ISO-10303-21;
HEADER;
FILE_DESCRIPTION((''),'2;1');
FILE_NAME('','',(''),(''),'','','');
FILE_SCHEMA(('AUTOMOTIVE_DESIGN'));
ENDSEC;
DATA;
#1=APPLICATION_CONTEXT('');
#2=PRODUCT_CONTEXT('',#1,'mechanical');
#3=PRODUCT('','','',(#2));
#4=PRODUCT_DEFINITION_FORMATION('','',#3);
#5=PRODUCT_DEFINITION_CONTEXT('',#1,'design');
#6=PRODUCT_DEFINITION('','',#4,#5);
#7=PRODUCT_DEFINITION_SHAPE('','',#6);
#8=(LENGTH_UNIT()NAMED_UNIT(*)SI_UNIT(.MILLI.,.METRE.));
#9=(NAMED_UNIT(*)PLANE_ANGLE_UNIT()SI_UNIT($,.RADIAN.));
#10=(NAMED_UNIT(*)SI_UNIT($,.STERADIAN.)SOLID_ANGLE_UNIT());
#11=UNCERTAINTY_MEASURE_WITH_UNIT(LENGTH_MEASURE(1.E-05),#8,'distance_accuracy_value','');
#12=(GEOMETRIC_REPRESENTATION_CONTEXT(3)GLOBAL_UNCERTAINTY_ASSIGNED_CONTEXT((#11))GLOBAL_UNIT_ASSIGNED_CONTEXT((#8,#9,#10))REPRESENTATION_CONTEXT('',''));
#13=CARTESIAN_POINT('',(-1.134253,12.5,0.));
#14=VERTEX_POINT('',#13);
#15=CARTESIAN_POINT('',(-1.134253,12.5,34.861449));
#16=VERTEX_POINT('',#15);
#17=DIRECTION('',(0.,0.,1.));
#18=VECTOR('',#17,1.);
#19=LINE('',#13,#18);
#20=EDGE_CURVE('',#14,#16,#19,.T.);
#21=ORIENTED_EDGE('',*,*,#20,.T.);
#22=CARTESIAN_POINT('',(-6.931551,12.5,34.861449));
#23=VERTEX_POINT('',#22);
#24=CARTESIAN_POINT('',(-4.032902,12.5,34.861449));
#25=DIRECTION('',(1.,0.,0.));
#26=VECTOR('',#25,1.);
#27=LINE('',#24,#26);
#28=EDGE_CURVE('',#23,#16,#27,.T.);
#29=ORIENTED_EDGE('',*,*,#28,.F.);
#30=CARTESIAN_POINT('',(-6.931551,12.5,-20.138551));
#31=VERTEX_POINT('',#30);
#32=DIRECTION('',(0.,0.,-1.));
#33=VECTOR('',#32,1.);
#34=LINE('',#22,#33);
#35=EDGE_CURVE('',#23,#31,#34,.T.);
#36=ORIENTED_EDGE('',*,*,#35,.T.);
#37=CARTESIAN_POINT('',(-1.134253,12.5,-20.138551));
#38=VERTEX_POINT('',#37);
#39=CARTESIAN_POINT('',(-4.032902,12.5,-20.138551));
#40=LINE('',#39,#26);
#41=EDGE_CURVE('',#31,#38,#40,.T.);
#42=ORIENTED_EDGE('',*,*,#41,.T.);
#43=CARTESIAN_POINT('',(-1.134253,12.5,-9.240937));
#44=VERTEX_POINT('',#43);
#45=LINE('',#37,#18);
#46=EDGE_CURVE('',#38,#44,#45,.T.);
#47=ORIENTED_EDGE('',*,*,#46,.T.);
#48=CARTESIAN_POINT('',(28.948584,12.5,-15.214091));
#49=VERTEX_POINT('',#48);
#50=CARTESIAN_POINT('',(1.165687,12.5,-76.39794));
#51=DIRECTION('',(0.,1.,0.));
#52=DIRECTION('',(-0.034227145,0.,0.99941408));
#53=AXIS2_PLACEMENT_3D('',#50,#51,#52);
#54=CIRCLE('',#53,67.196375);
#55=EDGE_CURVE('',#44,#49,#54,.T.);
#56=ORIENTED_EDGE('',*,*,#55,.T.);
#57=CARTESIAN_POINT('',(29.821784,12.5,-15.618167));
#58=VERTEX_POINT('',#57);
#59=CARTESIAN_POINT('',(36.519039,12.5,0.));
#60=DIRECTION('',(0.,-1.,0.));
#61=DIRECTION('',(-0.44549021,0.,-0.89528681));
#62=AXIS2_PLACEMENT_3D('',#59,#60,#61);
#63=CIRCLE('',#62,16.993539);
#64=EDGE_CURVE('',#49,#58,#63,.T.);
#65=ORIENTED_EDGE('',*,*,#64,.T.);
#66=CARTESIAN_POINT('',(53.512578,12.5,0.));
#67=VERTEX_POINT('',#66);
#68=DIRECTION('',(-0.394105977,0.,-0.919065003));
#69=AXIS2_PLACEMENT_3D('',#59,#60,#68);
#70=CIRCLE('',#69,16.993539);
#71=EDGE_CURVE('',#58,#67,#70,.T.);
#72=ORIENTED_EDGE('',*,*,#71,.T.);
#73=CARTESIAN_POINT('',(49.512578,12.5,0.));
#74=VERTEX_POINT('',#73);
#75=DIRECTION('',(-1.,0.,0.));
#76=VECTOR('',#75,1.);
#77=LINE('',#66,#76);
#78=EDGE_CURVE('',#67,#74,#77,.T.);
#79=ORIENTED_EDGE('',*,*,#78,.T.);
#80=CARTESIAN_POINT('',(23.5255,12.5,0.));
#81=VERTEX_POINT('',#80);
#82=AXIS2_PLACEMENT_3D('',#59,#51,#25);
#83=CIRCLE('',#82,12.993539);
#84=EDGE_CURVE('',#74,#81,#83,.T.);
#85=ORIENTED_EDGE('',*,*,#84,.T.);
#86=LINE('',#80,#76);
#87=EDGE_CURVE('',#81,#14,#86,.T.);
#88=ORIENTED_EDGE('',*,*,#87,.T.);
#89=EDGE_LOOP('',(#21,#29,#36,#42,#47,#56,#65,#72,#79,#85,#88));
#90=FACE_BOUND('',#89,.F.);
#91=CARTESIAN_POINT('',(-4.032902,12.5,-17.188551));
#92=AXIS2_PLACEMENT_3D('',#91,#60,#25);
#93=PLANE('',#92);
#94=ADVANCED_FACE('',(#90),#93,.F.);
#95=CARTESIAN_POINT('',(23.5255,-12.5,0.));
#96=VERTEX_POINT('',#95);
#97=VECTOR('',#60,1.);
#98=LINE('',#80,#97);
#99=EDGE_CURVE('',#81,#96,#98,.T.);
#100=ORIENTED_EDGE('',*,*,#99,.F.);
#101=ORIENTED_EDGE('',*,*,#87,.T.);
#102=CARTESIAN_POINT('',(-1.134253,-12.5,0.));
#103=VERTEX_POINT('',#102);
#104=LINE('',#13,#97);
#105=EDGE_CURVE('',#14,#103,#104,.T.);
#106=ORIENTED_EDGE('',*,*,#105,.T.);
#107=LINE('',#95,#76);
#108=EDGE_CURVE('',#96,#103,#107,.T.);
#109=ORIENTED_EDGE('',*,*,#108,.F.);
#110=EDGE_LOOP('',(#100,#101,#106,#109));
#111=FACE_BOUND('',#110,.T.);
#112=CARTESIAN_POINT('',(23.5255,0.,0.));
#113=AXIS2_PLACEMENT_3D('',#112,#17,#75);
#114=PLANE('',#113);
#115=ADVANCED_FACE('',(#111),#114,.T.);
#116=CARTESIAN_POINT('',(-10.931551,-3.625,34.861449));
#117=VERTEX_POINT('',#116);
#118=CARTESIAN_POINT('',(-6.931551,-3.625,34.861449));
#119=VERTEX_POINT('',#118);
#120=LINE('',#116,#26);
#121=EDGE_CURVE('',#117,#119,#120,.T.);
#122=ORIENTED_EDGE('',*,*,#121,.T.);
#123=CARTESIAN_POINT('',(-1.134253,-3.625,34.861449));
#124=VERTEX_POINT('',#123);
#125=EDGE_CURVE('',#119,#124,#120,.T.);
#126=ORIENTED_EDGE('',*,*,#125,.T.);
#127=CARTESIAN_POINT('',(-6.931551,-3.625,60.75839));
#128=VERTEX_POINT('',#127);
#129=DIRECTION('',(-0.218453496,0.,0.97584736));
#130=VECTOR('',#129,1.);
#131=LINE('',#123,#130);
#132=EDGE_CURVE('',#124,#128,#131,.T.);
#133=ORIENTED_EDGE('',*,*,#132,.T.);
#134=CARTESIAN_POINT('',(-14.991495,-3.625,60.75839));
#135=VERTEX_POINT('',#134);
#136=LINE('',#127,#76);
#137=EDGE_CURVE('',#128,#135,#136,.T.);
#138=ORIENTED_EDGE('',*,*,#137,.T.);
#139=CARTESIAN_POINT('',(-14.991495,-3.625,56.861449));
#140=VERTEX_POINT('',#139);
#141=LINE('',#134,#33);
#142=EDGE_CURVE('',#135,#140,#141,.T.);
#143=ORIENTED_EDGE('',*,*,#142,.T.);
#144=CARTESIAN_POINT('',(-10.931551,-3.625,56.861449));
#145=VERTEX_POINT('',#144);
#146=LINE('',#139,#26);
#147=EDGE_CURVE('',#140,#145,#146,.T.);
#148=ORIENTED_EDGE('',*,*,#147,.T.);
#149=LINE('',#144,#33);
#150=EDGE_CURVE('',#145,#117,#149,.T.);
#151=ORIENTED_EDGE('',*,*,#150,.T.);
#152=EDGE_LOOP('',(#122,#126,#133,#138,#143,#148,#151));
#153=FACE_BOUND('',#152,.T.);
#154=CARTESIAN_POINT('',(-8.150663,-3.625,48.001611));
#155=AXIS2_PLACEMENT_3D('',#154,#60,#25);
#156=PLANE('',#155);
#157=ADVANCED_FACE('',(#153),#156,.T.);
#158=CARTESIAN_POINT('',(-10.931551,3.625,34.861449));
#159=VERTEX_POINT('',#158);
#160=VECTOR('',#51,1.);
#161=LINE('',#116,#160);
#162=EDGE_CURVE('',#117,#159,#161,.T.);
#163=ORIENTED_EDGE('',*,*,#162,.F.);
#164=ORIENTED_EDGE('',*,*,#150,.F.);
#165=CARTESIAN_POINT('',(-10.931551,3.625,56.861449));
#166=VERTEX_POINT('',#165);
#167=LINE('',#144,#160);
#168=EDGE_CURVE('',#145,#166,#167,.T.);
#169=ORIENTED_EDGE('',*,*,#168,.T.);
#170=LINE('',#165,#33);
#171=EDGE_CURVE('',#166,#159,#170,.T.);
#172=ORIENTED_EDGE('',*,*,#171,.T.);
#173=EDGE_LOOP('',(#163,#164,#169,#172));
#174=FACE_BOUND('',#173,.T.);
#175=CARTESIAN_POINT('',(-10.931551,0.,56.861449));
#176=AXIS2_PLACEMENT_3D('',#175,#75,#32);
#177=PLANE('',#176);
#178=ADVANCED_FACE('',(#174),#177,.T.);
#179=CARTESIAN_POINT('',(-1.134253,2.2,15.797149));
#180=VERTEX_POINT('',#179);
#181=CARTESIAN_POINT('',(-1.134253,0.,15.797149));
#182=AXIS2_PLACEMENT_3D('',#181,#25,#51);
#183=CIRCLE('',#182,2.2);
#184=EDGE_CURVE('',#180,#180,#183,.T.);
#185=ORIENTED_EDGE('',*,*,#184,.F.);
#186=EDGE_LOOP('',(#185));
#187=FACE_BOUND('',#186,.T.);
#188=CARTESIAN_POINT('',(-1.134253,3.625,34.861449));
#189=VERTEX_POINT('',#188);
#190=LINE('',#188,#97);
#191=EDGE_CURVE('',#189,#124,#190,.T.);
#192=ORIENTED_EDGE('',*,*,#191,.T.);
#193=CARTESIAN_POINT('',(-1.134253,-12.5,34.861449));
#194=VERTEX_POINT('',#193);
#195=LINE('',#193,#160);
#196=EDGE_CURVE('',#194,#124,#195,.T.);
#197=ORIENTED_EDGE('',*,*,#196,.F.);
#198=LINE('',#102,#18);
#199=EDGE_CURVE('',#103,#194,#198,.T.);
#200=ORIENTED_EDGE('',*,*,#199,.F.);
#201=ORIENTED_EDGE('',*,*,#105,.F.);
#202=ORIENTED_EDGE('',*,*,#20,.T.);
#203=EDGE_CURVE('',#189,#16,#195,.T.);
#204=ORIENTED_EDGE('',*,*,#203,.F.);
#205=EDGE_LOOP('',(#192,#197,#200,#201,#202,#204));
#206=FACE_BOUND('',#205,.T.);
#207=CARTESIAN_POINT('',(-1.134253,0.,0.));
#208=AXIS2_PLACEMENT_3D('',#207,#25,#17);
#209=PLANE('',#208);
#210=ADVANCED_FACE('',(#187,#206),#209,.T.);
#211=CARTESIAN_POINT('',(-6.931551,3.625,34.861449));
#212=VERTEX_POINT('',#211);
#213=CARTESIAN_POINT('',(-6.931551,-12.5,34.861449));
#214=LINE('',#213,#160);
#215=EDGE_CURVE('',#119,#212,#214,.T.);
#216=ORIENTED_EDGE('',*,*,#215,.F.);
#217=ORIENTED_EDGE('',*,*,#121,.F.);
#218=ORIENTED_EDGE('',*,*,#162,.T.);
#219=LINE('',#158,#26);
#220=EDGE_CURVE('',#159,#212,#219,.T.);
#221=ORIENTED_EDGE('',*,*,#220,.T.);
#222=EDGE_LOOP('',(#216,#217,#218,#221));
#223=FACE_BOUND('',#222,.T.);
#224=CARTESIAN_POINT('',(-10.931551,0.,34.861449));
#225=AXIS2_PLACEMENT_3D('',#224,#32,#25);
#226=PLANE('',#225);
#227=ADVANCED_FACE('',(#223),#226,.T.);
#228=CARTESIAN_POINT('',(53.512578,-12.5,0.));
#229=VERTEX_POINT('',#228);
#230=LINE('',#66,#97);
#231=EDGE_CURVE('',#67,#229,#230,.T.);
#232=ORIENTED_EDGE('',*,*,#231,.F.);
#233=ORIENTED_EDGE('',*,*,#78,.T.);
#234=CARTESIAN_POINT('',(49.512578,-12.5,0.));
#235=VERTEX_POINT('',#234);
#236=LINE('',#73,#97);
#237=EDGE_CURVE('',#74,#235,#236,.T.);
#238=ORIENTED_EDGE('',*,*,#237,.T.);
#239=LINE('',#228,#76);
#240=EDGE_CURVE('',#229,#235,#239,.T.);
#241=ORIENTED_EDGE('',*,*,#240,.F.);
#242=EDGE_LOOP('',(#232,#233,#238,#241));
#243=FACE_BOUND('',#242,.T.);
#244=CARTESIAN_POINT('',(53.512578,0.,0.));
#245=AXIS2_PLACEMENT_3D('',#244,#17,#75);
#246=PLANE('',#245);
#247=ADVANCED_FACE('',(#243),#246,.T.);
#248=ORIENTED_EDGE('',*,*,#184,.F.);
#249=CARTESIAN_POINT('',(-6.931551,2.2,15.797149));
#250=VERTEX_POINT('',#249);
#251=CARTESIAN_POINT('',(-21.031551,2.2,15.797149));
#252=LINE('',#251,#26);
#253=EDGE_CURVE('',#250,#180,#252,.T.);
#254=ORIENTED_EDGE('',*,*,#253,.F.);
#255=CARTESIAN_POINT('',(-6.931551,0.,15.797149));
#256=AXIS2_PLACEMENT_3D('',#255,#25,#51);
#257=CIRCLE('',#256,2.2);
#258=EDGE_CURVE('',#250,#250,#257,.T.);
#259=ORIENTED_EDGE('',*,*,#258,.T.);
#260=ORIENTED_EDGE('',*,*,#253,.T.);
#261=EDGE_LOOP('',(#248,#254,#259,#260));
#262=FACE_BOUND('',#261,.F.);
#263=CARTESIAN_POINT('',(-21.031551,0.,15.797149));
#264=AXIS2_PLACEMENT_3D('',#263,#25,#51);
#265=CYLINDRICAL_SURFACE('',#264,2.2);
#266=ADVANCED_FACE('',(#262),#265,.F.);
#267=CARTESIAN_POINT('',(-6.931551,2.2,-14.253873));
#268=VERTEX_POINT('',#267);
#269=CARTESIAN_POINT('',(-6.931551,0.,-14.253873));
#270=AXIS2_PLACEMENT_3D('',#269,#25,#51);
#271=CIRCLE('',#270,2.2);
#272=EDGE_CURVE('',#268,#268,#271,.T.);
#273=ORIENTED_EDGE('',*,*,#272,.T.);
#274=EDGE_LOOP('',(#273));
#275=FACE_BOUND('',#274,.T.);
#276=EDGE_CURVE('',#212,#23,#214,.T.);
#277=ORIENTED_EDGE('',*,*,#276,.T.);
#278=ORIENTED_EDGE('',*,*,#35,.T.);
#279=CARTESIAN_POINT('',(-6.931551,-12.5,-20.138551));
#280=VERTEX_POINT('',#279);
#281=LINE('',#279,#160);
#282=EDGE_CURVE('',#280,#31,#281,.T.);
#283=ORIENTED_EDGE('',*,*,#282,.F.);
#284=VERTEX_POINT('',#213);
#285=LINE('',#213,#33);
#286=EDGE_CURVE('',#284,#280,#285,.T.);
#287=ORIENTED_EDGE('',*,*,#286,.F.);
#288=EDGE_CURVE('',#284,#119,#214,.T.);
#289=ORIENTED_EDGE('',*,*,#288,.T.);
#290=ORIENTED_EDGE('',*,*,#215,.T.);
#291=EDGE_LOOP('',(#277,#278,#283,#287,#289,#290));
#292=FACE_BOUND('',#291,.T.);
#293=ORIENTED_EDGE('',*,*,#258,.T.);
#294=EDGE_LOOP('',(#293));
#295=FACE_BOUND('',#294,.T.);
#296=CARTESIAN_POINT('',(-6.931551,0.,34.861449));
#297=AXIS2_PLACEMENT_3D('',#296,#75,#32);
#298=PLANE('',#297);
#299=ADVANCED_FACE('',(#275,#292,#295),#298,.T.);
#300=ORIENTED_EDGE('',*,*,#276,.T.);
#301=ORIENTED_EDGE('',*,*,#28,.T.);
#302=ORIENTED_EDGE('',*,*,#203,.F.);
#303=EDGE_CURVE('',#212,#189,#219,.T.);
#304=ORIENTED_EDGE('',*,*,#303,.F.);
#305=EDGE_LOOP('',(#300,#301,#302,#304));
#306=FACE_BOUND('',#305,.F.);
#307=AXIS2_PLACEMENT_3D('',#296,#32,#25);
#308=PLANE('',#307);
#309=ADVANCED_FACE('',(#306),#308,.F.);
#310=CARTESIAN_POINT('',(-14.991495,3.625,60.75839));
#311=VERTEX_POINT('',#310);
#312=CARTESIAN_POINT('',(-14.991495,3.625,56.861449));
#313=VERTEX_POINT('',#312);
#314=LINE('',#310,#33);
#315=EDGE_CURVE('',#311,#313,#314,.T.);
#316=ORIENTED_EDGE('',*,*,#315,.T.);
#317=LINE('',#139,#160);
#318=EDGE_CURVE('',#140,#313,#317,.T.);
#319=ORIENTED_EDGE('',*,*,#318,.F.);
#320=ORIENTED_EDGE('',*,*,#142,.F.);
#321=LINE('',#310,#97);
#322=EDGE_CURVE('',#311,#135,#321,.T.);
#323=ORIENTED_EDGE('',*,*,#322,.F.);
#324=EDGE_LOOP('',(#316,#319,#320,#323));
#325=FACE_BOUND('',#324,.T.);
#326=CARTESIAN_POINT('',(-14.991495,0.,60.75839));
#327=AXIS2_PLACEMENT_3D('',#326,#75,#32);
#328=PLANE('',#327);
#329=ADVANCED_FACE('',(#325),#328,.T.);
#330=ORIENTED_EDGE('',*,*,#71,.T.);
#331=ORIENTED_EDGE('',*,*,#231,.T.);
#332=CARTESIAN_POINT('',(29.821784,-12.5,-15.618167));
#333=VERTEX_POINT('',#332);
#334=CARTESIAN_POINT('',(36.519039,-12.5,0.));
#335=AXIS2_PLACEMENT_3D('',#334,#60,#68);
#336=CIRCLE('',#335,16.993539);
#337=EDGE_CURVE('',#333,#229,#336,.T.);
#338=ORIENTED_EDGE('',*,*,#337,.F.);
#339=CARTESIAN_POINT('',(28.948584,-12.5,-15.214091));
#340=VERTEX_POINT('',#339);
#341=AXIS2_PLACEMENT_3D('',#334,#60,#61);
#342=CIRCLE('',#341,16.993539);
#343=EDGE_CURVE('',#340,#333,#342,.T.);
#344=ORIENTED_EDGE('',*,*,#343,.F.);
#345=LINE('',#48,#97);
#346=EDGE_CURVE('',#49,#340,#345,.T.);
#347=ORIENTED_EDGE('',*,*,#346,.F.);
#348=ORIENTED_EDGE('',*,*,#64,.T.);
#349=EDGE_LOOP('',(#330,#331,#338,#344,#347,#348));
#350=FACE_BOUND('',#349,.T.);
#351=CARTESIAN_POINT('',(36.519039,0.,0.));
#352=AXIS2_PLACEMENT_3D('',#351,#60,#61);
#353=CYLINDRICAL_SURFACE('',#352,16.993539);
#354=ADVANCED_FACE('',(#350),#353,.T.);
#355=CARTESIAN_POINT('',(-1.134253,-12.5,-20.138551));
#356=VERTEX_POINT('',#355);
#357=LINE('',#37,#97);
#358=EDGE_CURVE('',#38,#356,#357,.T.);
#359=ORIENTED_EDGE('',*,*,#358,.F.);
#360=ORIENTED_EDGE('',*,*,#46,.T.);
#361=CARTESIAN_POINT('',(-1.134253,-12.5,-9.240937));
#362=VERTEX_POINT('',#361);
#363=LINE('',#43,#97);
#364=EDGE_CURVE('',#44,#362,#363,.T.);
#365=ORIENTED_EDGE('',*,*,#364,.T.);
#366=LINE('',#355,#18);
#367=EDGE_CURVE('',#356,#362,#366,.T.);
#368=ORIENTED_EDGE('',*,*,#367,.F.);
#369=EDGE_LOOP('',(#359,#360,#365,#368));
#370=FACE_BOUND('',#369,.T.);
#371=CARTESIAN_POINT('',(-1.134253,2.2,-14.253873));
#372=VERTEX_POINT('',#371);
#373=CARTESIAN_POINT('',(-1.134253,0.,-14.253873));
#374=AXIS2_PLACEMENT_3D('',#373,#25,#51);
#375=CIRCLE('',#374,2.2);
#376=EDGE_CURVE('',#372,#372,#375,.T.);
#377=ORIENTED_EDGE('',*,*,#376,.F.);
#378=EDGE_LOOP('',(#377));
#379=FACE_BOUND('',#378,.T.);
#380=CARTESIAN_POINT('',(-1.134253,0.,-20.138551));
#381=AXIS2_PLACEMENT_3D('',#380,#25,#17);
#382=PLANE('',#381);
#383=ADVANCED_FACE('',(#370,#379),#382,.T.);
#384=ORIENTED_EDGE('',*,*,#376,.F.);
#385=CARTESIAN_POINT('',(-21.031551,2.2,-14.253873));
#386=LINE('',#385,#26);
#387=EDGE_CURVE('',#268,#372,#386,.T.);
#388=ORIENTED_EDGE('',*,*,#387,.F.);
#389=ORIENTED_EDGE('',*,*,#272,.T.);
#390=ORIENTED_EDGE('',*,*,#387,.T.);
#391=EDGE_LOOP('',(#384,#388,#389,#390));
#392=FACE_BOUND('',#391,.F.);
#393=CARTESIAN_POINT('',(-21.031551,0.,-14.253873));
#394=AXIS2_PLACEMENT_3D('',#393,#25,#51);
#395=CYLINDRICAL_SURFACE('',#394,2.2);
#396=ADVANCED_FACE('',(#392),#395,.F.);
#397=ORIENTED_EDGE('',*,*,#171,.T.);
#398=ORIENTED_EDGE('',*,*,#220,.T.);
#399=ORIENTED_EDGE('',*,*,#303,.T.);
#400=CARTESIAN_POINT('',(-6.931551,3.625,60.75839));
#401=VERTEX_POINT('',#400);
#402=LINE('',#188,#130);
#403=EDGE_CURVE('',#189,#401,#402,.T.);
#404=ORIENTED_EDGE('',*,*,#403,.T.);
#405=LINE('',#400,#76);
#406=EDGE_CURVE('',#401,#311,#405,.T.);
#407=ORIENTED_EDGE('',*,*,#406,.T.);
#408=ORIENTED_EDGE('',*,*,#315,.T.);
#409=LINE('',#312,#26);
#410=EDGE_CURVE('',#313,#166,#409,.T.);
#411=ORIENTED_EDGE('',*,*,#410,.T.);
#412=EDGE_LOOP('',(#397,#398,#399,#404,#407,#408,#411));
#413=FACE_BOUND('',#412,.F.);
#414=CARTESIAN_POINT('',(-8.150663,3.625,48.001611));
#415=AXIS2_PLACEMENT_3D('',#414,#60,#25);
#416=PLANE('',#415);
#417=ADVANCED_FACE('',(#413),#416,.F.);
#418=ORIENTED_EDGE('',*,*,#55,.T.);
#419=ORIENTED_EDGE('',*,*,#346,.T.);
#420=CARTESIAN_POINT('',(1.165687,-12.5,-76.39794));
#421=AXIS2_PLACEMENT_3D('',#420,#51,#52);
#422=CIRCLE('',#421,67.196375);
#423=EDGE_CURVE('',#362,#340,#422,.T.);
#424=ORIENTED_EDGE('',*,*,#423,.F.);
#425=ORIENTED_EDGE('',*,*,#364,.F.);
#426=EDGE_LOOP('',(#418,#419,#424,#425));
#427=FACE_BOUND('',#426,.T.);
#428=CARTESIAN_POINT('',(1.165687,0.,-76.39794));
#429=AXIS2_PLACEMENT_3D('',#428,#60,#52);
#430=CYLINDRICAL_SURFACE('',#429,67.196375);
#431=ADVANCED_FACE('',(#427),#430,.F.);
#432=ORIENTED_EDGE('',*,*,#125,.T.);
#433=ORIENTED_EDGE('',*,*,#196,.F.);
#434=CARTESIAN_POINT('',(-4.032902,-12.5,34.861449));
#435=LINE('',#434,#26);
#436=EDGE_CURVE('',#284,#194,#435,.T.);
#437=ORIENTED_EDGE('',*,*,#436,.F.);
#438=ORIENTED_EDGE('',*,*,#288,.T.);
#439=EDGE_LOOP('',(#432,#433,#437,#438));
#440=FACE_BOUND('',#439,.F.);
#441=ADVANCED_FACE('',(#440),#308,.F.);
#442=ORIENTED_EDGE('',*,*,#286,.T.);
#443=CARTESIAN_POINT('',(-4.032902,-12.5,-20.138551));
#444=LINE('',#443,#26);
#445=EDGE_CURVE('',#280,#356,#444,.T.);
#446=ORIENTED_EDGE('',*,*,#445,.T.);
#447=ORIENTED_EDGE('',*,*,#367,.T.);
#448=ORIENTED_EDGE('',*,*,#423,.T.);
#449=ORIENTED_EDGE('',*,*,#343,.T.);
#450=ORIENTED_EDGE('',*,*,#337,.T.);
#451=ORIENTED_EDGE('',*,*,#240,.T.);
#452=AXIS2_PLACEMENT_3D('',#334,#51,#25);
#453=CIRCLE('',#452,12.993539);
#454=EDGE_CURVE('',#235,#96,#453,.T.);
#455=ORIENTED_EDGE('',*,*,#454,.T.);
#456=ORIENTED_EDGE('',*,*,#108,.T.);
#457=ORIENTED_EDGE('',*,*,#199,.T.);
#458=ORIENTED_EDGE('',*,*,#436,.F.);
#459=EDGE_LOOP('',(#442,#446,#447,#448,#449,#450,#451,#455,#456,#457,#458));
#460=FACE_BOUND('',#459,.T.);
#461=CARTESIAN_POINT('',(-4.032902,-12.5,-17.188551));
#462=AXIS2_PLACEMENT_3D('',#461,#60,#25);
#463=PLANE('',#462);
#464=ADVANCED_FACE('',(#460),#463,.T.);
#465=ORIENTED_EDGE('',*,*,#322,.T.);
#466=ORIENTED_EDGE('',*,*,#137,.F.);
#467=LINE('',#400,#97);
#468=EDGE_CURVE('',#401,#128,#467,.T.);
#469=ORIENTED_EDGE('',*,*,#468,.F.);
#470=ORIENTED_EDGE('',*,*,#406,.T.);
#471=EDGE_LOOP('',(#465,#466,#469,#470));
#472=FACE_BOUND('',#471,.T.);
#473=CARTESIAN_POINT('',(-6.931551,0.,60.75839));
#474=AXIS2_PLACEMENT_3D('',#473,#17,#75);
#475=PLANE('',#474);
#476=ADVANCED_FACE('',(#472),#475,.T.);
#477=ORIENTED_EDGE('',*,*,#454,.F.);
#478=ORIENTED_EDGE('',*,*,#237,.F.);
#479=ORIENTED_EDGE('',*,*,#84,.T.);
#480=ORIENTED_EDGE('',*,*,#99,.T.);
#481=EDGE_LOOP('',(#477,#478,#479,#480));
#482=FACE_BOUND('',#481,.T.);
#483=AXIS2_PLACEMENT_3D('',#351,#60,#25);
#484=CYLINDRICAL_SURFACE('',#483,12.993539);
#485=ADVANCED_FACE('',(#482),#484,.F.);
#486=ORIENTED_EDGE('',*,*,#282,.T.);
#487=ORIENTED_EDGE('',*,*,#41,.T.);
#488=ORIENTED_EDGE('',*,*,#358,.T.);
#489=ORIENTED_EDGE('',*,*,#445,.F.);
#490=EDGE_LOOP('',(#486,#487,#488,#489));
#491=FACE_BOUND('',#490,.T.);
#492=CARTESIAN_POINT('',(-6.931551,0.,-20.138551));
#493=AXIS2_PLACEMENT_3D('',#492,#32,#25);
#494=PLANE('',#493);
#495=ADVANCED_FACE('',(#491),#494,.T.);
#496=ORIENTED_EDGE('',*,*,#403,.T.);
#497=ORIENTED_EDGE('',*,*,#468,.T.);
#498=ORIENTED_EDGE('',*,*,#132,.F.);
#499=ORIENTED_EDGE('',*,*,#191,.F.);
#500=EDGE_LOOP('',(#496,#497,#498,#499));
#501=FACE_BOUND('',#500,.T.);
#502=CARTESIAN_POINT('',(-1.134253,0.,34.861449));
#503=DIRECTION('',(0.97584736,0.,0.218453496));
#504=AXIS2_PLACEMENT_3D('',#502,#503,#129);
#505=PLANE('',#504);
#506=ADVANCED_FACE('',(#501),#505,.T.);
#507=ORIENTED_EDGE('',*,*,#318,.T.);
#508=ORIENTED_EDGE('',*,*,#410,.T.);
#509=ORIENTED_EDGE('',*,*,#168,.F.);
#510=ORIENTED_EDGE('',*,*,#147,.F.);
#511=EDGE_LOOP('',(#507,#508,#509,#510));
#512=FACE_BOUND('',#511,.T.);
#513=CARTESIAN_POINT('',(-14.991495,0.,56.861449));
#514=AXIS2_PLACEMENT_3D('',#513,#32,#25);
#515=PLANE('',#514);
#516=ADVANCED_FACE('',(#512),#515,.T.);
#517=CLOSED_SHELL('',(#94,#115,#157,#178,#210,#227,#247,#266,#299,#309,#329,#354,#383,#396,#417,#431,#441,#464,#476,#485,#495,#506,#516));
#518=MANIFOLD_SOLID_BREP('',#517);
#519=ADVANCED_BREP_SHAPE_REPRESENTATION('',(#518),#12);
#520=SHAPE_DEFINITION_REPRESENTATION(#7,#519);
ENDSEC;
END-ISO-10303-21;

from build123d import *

# Parameters (mm, degrees)
F0_W     = 5.7972974144
F0_H     = 5.9
F0_H_2   = 19.1
F1_DEPTH = 12.5
F3_D     = 4.4
F3_DEPTH = 14.1
F3_TIP   = 1.3218933619
F4_DEPTH = 3.625


with BuildPart() as f1:
    # F0 (on Front) → F1 (new body, symmetric)
    with BuildSketch(Plane.XZ):
        with Locations((-4.0329019539, -17.188550967)):
            Rectangle(F0_W, F0_H)
        with BuildLine():
            ThreePointArc((29.8217841377, -15.618166969), (29.3859073845, -15.4145662467), (28.9485841576, -15.214091327))
            ThreePointArc((28.9485841576, -15.214091327), (29.3823237659, -15.4223103801), (29.8217841377, -15.618166969))
        make_face()
        with Locations((-4.0329019539, 25.311449033)):
            Rectangle(F0_W, F0_H_2)
        with BuildLine():
            Line((19.5255004201, 0), (-1.1342532467, 0))
            Line((-1.1342532467, 0), (-1.1342532467, -9.2409374192))
            ThreePointArc((-1.1342532467, -9.2409374192), (14.2525091884, -10.4882457176), (28.9485841576, -15.214091327))
            ThreePointArc((28.9485841576, -15.214091327), (22.072081358, -8.9479478378), (19.5255004201, 0))
        make_face()
        with BuildLine():
            Line((23.5255004201, 0), (19.5255004201, 0))
            ThreePointArc((19.5255004201, 0), (22.072081358, -8.9479478378), (28.9485841576, -15.214091327))
            ThreePointArc((28.9485841576, -15.214091327), (29.3859073845, -15.4145662467), (29.8217841377, -15.618166969))
            ThreePointArc((29.8217841377, -15.618166969), (45.8723890611, -14.1878546071), (53.5125784245, 0))
            Line((53.5125784245, 0), (49.5125784245, 0))
            ThreePointArc((49.5125784245, 0), (36.5190394223, -12.9935390022), (23.5255004201, 0))
        make_face()
        Polygon((-1.1342532467, 15.761449033), (-6.9315506611, 15.761449033), (-6.9315506611, -14.238550967), (-1.1342532467, -14.238550967), (-1.1342532467, -9.2409374192), (-1.1342532467, 0), align=None)
    extrude(amount=F1_DEPTH, both=True)

    # F3
    with Locations(Plane(origin=(-6.9315506611, 0, 0), x_dir=(0, -1, 0), z_dir=(-1, 0, 0))):
        with Locations((0, 15.79714939), (0, -14.253873378)):
            Hole(F3_D / 2, depth=F3_DEPTH)
            with Locations((0, 0, -(F3_DEPTH + F3_TIP / 2))):  # 118° drill point
                Cone(0, F3_D / 2, F3_TIP, mode=Mode.SUBTRACT)

    # F0 (on Front) → F4 (join, symmetric)
    with BuildSketch(Plane.XZ):
        Polygon((-10.9315506611, 34.861449033), (-6.9315506611, 34.861449033), (-1.1342532467, 34.861449033), (-6.9315506611, 60.7583903916), (-14.991494827, 60.7583903916), (-14.991494827, 56.861449033), (-10.9315506611, 56.861449033), align=None)
    extrude(amount=F4_DEPTH, both=True)


solid = f1.part
